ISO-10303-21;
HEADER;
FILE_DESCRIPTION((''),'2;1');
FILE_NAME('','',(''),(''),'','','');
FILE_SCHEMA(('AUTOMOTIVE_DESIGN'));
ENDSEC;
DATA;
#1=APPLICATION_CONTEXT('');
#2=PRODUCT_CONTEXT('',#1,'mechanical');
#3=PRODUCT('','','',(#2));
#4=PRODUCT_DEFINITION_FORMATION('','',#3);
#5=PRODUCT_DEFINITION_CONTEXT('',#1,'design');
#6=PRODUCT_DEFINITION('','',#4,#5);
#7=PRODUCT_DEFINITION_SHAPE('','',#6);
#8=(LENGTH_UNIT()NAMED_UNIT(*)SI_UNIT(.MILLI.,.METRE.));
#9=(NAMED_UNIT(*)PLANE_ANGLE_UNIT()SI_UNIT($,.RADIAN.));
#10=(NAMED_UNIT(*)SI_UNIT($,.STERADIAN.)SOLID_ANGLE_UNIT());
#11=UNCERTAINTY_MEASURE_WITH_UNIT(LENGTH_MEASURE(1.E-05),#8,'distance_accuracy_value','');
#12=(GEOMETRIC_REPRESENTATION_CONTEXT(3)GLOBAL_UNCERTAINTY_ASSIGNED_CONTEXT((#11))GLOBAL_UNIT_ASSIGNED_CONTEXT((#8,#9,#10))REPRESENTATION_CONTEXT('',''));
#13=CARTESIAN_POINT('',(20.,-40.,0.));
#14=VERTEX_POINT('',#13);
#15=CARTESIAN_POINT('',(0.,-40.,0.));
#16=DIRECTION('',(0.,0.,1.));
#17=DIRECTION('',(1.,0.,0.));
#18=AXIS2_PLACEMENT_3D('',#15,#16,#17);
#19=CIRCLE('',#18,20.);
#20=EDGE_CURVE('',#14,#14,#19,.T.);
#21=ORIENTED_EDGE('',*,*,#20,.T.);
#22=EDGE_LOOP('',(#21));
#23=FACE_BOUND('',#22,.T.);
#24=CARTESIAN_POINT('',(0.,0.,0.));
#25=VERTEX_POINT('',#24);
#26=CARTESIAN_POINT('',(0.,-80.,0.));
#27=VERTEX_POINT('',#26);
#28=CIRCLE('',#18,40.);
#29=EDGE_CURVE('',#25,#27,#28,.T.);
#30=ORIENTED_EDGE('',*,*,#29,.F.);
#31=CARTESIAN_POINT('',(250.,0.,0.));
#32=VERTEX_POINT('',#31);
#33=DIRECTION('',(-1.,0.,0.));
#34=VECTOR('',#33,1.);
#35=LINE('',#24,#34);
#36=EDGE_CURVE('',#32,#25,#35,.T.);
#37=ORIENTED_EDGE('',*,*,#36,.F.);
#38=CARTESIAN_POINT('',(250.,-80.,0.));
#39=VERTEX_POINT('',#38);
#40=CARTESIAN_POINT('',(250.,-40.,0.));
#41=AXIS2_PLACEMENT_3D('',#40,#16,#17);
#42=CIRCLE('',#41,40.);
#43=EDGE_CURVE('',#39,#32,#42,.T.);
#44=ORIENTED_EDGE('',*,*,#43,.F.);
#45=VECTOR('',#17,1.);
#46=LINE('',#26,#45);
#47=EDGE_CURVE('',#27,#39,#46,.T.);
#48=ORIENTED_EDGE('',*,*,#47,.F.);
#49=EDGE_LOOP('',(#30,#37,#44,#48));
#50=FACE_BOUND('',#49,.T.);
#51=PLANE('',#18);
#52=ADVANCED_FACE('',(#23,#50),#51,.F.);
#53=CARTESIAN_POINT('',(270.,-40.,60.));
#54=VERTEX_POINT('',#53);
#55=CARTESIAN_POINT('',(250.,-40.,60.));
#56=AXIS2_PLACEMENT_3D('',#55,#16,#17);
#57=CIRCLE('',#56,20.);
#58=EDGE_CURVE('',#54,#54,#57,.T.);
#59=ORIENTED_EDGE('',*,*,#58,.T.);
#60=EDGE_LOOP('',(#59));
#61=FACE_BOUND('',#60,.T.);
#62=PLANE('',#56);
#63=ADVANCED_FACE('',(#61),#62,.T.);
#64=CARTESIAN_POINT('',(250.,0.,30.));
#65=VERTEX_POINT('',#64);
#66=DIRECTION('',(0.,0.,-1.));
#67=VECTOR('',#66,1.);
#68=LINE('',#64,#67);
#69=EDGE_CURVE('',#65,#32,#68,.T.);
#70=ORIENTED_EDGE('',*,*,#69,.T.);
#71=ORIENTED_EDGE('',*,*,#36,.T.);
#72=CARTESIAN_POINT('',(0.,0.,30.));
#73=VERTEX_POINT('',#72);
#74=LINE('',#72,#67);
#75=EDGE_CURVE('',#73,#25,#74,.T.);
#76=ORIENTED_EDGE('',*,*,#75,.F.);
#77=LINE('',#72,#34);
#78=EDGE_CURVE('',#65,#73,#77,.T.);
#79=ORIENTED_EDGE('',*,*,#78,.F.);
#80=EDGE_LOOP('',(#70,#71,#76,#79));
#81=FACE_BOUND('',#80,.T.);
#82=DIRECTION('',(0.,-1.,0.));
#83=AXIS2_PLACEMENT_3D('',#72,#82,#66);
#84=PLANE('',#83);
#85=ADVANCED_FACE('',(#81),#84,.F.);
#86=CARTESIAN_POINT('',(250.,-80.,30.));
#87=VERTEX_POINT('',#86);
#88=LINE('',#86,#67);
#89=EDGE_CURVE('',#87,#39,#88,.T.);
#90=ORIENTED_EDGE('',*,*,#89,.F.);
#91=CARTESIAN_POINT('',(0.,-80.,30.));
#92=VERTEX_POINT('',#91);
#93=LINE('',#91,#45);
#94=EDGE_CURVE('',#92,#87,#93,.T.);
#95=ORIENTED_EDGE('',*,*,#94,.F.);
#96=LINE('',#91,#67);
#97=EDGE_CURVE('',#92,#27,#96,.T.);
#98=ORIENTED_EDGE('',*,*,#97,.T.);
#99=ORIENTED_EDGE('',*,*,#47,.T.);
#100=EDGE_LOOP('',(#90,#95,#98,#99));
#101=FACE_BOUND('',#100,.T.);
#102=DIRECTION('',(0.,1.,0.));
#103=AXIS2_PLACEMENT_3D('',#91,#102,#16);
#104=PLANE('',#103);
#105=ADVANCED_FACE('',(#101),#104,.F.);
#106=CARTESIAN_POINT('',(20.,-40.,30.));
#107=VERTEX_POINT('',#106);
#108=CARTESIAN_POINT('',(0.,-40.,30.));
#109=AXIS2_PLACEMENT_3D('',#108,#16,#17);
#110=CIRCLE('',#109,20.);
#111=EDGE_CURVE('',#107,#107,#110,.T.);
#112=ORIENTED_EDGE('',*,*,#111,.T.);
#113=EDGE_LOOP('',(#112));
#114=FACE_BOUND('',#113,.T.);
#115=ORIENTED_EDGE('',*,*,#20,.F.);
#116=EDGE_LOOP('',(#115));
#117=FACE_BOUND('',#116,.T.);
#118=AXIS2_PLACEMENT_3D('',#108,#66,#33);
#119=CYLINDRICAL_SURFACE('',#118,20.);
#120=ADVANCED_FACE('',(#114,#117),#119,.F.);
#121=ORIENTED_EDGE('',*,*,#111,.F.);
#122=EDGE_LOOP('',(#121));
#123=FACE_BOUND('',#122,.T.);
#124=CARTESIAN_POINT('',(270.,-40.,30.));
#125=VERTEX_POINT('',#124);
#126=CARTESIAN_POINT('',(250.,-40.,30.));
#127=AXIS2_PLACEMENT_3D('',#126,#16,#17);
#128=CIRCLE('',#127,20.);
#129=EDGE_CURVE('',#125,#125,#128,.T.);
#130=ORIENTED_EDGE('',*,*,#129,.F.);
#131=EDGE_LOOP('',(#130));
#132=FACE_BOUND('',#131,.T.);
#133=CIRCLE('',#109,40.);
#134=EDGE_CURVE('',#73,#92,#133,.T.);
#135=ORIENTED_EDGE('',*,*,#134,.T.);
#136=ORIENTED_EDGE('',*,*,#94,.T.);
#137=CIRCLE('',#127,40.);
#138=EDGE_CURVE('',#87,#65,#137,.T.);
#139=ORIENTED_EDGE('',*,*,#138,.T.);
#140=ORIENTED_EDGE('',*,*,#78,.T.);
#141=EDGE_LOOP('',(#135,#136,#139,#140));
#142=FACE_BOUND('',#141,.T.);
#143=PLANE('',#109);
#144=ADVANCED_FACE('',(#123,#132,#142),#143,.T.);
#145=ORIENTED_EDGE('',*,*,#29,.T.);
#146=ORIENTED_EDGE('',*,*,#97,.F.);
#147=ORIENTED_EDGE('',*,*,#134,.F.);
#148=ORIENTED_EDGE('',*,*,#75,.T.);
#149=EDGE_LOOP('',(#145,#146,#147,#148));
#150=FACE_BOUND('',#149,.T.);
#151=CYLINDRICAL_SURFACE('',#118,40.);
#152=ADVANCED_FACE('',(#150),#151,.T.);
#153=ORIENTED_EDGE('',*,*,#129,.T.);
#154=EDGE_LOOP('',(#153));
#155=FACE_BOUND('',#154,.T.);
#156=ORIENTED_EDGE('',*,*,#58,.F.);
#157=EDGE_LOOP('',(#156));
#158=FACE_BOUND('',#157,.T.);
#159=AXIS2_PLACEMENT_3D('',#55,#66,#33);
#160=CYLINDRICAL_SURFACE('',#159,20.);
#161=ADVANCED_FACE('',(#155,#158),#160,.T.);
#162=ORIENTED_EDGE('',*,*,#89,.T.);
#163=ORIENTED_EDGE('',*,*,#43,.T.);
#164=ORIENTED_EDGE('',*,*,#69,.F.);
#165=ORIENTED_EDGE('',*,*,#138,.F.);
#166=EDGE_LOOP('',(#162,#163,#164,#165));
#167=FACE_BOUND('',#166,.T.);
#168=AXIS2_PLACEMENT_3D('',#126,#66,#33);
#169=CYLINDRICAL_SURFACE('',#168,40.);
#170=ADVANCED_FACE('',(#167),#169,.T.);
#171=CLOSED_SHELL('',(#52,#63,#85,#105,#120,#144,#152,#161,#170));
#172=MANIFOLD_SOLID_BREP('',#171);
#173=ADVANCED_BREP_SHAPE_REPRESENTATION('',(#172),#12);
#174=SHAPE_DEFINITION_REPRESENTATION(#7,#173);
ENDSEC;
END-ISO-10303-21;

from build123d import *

# Parameters (mm, degrees)
SKETCH2_R           = 20
BOSS_EXTRUDE1_DEPTH = 30
SKETCH7_R           = 20
BOSS_EXTRUDE2_DEPTH = 30


with BuildPart() as part:
    # Sketch2 → Boss-Extrude1 (new body)
    with BuildSketch(Plane.XY):
        with BuildLine():
            Line((0, 0), (250, 0))
            ThreePointArc((250, 0), (290, -40), (250, -80))
            Line((250, -80), (0, -80))
            ThreePointArc((0, -80), (-40, -40), (0, 0))
        make_face()
        with Locations((0, -40)):
            Circle(SKETCH2_R, mode=Mode.SUBTRACT)
    extrude(amount=BOSS_EXTRUDE1_DEPTH)

    # Sketch7 → Boss-Extrude2 (add)
    with BuildSketch(Plane.XY.offset(30)):
        with Locations((250, -40)):
            Circle(SKETCH7_R)
    extrude(amount=BOSS_EXTRUDE2_DEPTH)


solid = part.part
